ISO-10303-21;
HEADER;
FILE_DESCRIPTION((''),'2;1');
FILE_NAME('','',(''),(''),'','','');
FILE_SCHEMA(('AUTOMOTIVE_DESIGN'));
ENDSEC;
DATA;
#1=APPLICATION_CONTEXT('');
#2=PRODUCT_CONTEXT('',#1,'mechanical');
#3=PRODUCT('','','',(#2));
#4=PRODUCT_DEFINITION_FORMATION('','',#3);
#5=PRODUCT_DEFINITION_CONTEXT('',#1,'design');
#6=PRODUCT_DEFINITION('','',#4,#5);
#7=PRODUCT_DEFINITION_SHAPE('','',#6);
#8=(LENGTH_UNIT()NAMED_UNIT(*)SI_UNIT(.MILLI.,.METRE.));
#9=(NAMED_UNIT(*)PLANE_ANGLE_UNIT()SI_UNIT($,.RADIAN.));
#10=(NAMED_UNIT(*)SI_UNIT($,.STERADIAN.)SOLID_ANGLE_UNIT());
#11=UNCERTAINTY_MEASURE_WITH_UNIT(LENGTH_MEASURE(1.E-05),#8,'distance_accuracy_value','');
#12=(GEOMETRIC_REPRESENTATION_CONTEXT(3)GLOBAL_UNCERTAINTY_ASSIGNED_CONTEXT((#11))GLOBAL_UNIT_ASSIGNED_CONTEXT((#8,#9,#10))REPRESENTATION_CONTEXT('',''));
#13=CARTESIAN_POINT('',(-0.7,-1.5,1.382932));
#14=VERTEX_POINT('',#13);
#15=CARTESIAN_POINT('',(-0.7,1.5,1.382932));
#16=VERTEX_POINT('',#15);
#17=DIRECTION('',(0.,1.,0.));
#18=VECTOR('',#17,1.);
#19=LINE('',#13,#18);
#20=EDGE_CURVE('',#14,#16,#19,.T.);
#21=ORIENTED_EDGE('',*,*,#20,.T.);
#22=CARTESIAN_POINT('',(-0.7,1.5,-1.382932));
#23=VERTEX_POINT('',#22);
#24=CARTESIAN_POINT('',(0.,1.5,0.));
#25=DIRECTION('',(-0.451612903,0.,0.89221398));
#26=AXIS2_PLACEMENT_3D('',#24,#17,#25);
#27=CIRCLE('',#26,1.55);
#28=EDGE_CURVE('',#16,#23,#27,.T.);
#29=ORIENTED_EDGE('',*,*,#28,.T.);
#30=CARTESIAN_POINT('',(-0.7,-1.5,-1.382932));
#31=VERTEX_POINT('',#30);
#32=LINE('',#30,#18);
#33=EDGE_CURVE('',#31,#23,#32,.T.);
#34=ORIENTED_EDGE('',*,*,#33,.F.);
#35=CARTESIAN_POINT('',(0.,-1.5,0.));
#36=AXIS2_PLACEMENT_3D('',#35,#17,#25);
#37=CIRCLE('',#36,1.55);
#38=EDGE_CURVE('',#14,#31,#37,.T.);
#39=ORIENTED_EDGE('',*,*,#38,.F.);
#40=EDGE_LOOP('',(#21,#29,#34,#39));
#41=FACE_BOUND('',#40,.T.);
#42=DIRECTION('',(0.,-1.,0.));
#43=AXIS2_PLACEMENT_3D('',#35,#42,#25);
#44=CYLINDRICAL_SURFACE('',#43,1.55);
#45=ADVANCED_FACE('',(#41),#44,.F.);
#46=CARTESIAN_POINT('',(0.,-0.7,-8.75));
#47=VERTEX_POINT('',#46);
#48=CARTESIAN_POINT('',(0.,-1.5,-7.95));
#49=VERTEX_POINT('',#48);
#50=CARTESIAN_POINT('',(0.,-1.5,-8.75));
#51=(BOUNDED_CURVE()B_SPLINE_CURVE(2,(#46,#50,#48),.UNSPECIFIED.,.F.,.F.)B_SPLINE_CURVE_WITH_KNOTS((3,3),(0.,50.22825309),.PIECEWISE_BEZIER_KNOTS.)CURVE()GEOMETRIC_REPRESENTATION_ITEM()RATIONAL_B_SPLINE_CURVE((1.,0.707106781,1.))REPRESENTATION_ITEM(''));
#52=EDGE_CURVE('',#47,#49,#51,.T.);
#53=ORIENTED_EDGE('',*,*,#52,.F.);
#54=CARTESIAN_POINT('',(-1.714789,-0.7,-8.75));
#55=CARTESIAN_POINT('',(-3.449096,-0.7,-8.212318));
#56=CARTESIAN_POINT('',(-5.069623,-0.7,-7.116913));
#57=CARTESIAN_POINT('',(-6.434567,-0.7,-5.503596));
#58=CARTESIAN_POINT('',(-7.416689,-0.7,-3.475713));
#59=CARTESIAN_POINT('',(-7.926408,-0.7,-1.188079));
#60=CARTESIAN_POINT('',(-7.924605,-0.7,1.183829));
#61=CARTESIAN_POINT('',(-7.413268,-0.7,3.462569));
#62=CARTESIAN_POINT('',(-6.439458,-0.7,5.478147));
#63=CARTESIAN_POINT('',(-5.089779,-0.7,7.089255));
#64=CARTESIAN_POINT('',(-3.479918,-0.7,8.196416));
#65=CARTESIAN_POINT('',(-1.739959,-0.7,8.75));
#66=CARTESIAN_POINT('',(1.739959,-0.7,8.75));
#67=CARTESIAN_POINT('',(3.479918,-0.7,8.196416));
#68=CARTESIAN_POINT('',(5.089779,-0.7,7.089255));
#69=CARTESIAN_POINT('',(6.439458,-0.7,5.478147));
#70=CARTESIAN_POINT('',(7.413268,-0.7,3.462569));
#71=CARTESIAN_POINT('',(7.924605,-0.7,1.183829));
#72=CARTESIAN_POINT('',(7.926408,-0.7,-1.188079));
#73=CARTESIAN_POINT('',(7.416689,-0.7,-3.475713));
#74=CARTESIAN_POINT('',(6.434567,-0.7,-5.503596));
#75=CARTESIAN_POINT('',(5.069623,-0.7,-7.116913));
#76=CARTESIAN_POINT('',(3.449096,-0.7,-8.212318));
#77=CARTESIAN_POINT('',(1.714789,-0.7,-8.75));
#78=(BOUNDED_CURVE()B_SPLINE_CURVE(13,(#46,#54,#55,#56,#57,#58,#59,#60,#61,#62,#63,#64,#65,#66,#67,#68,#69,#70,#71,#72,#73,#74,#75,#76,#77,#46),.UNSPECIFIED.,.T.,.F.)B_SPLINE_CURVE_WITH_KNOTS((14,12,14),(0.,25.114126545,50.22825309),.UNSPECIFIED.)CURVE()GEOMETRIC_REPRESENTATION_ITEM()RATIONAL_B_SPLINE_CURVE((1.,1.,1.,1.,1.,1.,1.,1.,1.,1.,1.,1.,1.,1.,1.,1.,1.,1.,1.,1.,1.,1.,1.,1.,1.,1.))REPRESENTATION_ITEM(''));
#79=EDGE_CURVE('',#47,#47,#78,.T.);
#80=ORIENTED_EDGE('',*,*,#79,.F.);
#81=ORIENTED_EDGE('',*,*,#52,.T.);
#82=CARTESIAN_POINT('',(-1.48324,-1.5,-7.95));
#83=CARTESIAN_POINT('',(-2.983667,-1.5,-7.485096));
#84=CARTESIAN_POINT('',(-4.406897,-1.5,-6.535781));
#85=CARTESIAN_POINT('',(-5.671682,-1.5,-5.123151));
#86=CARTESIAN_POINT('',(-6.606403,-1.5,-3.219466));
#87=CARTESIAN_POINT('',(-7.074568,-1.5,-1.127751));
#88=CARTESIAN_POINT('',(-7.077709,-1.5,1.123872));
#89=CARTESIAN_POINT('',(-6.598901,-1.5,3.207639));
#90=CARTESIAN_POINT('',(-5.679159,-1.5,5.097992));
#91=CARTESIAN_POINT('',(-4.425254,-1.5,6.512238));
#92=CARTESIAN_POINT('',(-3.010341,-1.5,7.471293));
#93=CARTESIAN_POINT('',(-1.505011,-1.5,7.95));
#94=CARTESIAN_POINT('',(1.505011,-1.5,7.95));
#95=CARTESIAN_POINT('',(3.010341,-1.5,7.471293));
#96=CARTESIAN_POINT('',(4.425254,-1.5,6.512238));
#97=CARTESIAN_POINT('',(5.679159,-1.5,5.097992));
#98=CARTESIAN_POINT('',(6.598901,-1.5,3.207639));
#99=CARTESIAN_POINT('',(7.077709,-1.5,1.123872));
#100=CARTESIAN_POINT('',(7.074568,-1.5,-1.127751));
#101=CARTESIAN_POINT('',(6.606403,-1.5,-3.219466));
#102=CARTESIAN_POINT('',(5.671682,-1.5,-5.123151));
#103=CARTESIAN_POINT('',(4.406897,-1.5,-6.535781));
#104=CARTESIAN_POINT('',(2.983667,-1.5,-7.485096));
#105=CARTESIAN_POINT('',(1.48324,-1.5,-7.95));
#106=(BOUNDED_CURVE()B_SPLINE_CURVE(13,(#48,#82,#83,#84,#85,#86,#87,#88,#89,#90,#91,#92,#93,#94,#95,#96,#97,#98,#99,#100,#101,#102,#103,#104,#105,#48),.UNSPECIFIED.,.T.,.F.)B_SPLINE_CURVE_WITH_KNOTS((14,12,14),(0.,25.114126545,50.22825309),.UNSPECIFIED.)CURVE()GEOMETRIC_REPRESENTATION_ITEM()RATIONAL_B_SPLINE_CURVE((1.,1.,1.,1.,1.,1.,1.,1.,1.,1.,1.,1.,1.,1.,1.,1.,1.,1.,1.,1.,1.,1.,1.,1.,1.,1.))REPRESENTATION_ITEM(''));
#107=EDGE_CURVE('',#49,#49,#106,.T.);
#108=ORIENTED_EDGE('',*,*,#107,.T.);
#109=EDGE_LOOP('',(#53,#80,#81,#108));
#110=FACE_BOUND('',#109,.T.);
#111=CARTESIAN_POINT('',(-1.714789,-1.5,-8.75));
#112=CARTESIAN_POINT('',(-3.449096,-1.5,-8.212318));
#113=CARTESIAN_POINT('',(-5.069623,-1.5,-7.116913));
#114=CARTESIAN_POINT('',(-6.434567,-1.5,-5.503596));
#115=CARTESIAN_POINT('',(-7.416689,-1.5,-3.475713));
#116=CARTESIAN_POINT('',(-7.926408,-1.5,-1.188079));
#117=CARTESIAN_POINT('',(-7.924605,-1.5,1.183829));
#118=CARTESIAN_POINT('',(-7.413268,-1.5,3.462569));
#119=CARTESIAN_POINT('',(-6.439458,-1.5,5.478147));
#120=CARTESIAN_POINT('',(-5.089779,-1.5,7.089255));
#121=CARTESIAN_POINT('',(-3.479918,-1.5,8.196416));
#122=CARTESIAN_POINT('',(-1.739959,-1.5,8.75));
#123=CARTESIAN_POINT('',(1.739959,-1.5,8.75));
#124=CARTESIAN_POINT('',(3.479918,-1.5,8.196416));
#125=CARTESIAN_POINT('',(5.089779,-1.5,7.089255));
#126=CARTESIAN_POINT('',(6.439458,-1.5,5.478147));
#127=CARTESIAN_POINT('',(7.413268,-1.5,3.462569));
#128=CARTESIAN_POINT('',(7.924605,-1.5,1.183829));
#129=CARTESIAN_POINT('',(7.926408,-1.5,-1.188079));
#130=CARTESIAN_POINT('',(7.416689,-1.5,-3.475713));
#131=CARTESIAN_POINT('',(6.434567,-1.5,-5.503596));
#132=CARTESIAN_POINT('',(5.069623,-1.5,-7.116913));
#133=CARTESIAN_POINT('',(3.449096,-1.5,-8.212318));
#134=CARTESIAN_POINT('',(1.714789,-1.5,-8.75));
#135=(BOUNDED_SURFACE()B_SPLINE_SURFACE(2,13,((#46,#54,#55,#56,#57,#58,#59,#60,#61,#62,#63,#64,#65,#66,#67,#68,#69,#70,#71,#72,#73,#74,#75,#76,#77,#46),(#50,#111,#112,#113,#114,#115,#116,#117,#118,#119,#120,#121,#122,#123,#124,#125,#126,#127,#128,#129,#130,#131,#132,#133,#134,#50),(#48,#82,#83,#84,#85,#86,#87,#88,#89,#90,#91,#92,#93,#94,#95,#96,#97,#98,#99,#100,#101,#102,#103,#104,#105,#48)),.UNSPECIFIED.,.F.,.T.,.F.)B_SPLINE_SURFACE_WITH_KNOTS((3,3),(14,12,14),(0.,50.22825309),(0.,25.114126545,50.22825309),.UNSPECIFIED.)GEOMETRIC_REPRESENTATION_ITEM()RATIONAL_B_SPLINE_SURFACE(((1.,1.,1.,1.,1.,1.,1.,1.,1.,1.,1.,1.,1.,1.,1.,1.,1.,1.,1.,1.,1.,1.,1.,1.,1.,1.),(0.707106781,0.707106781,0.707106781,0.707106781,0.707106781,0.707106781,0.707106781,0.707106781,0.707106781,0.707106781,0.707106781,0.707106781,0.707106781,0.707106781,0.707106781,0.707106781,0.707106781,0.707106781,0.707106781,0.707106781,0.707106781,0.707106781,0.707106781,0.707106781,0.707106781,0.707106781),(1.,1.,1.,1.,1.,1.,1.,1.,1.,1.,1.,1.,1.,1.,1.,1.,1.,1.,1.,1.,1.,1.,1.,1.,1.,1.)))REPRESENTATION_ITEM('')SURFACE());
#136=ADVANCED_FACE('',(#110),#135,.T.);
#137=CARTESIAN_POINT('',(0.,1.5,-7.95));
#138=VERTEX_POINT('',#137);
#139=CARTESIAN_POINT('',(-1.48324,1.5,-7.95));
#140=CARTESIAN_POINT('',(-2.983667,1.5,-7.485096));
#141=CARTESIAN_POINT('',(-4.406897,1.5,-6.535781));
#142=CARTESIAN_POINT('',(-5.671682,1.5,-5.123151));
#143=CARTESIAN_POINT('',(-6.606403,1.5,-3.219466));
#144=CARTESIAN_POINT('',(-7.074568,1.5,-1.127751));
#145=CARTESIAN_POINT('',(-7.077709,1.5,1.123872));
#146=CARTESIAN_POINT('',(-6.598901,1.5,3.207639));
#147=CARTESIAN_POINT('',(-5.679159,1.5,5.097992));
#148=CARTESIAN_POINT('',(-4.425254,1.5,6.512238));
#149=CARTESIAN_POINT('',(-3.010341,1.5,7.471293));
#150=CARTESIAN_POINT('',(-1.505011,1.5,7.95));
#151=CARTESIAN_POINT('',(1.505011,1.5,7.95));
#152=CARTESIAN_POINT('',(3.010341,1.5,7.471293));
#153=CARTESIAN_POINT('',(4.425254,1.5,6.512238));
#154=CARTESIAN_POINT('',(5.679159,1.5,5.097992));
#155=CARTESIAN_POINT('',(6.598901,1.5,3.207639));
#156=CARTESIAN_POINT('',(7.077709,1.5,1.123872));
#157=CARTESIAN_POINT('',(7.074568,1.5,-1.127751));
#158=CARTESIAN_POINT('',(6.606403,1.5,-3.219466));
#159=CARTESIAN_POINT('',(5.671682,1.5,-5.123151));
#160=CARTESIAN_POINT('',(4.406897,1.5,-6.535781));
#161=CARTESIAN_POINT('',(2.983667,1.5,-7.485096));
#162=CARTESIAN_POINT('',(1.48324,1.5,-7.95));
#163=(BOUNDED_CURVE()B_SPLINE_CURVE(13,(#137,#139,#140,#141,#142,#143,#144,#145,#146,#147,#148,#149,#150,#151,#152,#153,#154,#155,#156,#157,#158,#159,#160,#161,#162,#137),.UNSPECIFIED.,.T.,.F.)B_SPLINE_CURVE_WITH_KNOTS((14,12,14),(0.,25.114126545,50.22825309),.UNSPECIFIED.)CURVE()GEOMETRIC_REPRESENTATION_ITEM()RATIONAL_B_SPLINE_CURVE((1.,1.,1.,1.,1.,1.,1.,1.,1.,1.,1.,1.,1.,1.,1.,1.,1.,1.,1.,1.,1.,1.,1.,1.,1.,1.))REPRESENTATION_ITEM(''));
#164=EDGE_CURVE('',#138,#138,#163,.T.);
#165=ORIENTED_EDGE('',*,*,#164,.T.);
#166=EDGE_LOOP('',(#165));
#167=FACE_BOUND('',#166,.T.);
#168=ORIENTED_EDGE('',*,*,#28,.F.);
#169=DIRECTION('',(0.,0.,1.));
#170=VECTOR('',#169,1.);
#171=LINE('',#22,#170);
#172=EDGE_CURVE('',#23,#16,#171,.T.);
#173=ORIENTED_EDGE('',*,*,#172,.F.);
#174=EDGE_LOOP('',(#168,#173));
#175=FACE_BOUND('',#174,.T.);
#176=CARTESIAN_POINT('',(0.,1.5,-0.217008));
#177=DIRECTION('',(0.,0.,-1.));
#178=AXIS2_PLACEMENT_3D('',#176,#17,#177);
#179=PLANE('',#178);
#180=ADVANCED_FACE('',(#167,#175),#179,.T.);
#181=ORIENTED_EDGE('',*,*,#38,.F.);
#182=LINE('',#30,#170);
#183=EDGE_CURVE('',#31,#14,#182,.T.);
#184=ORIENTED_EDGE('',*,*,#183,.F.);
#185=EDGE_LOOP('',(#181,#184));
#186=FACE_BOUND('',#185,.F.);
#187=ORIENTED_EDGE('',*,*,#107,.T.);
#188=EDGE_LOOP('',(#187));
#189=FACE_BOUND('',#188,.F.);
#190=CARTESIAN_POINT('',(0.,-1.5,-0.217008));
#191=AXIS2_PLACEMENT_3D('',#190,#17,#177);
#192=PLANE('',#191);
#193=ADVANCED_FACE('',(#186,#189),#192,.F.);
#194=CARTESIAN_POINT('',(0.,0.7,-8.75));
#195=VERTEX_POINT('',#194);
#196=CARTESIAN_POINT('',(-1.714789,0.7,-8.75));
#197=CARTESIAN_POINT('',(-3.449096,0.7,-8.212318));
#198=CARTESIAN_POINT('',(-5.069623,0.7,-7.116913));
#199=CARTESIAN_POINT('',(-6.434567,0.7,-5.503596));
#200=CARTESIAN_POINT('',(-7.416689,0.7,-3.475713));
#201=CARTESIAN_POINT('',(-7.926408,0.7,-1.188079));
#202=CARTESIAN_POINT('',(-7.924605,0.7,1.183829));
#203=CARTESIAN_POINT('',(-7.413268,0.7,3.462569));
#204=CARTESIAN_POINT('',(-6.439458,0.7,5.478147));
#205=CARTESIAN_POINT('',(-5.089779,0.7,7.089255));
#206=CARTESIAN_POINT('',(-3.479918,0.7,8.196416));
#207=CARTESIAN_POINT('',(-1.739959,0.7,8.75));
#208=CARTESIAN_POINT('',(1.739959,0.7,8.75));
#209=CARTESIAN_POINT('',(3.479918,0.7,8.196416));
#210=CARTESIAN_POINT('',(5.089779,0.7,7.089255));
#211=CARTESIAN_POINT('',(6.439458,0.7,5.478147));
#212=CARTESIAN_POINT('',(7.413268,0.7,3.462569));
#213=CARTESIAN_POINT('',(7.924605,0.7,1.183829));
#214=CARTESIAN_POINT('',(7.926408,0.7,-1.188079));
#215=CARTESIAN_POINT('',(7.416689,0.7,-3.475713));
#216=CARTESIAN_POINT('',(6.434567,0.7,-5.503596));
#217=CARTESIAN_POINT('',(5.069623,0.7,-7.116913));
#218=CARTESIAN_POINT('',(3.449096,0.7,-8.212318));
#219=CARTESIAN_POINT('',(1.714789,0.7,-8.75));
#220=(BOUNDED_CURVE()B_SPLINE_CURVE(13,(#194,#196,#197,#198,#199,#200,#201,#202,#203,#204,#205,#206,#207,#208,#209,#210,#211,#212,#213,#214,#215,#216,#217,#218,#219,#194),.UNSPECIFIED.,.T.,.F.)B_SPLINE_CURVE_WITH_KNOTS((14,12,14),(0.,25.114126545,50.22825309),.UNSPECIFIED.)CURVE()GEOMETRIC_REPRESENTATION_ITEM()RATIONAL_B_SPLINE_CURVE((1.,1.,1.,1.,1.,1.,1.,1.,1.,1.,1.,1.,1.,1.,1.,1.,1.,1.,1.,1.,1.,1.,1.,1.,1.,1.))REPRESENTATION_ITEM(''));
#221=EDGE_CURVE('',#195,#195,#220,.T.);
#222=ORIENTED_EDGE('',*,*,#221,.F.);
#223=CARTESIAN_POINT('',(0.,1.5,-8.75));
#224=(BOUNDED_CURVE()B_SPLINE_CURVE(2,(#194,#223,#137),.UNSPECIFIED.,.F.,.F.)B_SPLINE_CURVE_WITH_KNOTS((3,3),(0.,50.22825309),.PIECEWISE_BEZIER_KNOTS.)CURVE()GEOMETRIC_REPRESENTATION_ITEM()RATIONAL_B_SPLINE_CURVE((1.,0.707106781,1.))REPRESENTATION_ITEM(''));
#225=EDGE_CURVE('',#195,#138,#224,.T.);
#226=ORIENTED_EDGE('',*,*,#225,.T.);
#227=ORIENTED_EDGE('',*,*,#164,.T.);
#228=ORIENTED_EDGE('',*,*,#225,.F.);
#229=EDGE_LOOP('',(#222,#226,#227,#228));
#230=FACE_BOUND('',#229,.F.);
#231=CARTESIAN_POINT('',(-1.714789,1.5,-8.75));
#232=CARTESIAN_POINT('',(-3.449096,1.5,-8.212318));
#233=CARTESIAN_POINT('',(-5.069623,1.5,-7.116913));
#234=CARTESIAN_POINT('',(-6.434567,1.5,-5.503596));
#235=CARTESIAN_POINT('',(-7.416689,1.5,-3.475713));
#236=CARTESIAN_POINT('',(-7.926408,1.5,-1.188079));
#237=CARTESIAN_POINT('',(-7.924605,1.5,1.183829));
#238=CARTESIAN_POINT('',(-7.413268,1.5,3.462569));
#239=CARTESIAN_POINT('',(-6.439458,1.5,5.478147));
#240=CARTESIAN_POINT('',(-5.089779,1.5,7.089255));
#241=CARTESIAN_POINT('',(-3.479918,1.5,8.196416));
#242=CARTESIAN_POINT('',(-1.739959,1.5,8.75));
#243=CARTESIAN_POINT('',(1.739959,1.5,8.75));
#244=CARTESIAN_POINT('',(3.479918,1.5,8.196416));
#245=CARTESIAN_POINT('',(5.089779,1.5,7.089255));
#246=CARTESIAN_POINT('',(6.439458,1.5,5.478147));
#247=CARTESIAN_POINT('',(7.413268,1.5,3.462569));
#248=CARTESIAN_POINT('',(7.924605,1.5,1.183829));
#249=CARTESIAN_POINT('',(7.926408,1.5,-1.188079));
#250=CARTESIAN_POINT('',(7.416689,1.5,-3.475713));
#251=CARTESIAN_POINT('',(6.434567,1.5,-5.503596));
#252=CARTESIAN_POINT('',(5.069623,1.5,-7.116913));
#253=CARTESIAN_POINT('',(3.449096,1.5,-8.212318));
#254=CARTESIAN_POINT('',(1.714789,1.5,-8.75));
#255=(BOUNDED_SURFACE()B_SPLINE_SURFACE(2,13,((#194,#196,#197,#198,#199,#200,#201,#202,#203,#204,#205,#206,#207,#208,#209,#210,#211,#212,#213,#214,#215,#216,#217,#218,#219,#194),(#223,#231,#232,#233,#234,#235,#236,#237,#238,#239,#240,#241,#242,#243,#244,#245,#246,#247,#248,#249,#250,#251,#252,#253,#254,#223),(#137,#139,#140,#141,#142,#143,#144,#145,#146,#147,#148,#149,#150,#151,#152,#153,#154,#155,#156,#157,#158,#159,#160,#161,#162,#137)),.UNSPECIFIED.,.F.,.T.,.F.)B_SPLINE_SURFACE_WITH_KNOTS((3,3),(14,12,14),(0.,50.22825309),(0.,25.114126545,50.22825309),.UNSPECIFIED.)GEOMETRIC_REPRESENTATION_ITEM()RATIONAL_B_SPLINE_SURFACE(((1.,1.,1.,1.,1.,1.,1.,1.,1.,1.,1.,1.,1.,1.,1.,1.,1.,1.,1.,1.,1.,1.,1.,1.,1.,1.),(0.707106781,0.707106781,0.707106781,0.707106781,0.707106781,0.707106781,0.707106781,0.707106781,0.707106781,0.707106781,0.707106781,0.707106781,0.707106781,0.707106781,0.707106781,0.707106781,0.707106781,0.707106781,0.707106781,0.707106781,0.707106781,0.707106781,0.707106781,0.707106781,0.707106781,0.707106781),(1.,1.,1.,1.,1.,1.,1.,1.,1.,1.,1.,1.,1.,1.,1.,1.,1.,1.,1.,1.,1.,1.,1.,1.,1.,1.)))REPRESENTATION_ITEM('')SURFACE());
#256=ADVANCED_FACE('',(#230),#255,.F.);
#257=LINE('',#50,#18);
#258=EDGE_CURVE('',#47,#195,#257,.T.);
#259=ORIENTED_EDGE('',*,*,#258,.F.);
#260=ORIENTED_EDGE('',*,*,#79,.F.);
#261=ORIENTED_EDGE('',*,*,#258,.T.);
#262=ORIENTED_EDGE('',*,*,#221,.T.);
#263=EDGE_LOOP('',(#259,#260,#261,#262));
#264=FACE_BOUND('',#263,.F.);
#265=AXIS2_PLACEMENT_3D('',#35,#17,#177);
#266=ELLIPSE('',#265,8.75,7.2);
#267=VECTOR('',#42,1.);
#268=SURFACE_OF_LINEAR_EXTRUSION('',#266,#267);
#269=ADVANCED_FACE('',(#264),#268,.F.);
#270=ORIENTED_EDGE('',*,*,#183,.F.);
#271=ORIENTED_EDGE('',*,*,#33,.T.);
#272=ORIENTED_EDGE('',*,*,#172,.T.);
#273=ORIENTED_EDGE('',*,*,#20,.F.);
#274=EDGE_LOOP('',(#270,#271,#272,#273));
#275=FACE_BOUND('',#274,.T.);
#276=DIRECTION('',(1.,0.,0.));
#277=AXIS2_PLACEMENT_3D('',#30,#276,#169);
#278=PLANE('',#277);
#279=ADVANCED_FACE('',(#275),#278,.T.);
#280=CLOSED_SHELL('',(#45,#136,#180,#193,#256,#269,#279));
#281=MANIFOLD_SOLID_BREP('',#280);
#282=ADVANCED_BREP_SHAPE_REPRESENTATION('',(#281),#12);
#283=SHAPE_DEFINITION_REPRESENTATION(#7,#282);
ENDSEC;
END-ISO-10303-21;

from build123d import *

# Parameters (mm, degrees)
BOSS_EXTRUDE1_DEPTH      = 1.5
BOSS_EXTRUDE1_DEPTH_BACK = 1.5
SKETCH1_RX               = 8.75
SKETCH1_RY               = 7.2
FILLET1_R                = 0.8


with BuildPart() as part:
    # Sketch1 → Boss-Extrude1 (new, two sides: drawn at the far end of the back side and taken through both)
    with BuildSketch(Plane(origin=(0, 0, 0), x_dir=(1, 0, 0), z_dir=(0, 1, 0)).offset(-BOSS_EXTRUDE1_DEPTH_BACK)):
        with Locations(Location((0, 0), (0, 0, 90))):
            Ellipse(SKETCH1_RX, SKETCH1_RY)
        with BuildLine():
            Line((-0.7, 1.382931669), (-0.7, -1.382931669))
            ThreePointArc((-0.7, -1.382931669), (1.55, 0), (-0.7, 1.382931669))
        make_face(mode=Mode.SUBTRACT)
    extrude(amount=BOSS_EXTRUDE1_DEPTH + BOSS_EXTRUDE1_DEPTH_BACK)

    # Fillet1
    fillet1_edges = [part.edges().sort_by_distance(p)[0] for p in [
        (0.000739081, 1.5, 8.749999954),
        (0.000739081, -1.5, 8.749999954),
    ]]
    fillet(fillet1_edges, radius=FILLET1_R)


solid = part.part
